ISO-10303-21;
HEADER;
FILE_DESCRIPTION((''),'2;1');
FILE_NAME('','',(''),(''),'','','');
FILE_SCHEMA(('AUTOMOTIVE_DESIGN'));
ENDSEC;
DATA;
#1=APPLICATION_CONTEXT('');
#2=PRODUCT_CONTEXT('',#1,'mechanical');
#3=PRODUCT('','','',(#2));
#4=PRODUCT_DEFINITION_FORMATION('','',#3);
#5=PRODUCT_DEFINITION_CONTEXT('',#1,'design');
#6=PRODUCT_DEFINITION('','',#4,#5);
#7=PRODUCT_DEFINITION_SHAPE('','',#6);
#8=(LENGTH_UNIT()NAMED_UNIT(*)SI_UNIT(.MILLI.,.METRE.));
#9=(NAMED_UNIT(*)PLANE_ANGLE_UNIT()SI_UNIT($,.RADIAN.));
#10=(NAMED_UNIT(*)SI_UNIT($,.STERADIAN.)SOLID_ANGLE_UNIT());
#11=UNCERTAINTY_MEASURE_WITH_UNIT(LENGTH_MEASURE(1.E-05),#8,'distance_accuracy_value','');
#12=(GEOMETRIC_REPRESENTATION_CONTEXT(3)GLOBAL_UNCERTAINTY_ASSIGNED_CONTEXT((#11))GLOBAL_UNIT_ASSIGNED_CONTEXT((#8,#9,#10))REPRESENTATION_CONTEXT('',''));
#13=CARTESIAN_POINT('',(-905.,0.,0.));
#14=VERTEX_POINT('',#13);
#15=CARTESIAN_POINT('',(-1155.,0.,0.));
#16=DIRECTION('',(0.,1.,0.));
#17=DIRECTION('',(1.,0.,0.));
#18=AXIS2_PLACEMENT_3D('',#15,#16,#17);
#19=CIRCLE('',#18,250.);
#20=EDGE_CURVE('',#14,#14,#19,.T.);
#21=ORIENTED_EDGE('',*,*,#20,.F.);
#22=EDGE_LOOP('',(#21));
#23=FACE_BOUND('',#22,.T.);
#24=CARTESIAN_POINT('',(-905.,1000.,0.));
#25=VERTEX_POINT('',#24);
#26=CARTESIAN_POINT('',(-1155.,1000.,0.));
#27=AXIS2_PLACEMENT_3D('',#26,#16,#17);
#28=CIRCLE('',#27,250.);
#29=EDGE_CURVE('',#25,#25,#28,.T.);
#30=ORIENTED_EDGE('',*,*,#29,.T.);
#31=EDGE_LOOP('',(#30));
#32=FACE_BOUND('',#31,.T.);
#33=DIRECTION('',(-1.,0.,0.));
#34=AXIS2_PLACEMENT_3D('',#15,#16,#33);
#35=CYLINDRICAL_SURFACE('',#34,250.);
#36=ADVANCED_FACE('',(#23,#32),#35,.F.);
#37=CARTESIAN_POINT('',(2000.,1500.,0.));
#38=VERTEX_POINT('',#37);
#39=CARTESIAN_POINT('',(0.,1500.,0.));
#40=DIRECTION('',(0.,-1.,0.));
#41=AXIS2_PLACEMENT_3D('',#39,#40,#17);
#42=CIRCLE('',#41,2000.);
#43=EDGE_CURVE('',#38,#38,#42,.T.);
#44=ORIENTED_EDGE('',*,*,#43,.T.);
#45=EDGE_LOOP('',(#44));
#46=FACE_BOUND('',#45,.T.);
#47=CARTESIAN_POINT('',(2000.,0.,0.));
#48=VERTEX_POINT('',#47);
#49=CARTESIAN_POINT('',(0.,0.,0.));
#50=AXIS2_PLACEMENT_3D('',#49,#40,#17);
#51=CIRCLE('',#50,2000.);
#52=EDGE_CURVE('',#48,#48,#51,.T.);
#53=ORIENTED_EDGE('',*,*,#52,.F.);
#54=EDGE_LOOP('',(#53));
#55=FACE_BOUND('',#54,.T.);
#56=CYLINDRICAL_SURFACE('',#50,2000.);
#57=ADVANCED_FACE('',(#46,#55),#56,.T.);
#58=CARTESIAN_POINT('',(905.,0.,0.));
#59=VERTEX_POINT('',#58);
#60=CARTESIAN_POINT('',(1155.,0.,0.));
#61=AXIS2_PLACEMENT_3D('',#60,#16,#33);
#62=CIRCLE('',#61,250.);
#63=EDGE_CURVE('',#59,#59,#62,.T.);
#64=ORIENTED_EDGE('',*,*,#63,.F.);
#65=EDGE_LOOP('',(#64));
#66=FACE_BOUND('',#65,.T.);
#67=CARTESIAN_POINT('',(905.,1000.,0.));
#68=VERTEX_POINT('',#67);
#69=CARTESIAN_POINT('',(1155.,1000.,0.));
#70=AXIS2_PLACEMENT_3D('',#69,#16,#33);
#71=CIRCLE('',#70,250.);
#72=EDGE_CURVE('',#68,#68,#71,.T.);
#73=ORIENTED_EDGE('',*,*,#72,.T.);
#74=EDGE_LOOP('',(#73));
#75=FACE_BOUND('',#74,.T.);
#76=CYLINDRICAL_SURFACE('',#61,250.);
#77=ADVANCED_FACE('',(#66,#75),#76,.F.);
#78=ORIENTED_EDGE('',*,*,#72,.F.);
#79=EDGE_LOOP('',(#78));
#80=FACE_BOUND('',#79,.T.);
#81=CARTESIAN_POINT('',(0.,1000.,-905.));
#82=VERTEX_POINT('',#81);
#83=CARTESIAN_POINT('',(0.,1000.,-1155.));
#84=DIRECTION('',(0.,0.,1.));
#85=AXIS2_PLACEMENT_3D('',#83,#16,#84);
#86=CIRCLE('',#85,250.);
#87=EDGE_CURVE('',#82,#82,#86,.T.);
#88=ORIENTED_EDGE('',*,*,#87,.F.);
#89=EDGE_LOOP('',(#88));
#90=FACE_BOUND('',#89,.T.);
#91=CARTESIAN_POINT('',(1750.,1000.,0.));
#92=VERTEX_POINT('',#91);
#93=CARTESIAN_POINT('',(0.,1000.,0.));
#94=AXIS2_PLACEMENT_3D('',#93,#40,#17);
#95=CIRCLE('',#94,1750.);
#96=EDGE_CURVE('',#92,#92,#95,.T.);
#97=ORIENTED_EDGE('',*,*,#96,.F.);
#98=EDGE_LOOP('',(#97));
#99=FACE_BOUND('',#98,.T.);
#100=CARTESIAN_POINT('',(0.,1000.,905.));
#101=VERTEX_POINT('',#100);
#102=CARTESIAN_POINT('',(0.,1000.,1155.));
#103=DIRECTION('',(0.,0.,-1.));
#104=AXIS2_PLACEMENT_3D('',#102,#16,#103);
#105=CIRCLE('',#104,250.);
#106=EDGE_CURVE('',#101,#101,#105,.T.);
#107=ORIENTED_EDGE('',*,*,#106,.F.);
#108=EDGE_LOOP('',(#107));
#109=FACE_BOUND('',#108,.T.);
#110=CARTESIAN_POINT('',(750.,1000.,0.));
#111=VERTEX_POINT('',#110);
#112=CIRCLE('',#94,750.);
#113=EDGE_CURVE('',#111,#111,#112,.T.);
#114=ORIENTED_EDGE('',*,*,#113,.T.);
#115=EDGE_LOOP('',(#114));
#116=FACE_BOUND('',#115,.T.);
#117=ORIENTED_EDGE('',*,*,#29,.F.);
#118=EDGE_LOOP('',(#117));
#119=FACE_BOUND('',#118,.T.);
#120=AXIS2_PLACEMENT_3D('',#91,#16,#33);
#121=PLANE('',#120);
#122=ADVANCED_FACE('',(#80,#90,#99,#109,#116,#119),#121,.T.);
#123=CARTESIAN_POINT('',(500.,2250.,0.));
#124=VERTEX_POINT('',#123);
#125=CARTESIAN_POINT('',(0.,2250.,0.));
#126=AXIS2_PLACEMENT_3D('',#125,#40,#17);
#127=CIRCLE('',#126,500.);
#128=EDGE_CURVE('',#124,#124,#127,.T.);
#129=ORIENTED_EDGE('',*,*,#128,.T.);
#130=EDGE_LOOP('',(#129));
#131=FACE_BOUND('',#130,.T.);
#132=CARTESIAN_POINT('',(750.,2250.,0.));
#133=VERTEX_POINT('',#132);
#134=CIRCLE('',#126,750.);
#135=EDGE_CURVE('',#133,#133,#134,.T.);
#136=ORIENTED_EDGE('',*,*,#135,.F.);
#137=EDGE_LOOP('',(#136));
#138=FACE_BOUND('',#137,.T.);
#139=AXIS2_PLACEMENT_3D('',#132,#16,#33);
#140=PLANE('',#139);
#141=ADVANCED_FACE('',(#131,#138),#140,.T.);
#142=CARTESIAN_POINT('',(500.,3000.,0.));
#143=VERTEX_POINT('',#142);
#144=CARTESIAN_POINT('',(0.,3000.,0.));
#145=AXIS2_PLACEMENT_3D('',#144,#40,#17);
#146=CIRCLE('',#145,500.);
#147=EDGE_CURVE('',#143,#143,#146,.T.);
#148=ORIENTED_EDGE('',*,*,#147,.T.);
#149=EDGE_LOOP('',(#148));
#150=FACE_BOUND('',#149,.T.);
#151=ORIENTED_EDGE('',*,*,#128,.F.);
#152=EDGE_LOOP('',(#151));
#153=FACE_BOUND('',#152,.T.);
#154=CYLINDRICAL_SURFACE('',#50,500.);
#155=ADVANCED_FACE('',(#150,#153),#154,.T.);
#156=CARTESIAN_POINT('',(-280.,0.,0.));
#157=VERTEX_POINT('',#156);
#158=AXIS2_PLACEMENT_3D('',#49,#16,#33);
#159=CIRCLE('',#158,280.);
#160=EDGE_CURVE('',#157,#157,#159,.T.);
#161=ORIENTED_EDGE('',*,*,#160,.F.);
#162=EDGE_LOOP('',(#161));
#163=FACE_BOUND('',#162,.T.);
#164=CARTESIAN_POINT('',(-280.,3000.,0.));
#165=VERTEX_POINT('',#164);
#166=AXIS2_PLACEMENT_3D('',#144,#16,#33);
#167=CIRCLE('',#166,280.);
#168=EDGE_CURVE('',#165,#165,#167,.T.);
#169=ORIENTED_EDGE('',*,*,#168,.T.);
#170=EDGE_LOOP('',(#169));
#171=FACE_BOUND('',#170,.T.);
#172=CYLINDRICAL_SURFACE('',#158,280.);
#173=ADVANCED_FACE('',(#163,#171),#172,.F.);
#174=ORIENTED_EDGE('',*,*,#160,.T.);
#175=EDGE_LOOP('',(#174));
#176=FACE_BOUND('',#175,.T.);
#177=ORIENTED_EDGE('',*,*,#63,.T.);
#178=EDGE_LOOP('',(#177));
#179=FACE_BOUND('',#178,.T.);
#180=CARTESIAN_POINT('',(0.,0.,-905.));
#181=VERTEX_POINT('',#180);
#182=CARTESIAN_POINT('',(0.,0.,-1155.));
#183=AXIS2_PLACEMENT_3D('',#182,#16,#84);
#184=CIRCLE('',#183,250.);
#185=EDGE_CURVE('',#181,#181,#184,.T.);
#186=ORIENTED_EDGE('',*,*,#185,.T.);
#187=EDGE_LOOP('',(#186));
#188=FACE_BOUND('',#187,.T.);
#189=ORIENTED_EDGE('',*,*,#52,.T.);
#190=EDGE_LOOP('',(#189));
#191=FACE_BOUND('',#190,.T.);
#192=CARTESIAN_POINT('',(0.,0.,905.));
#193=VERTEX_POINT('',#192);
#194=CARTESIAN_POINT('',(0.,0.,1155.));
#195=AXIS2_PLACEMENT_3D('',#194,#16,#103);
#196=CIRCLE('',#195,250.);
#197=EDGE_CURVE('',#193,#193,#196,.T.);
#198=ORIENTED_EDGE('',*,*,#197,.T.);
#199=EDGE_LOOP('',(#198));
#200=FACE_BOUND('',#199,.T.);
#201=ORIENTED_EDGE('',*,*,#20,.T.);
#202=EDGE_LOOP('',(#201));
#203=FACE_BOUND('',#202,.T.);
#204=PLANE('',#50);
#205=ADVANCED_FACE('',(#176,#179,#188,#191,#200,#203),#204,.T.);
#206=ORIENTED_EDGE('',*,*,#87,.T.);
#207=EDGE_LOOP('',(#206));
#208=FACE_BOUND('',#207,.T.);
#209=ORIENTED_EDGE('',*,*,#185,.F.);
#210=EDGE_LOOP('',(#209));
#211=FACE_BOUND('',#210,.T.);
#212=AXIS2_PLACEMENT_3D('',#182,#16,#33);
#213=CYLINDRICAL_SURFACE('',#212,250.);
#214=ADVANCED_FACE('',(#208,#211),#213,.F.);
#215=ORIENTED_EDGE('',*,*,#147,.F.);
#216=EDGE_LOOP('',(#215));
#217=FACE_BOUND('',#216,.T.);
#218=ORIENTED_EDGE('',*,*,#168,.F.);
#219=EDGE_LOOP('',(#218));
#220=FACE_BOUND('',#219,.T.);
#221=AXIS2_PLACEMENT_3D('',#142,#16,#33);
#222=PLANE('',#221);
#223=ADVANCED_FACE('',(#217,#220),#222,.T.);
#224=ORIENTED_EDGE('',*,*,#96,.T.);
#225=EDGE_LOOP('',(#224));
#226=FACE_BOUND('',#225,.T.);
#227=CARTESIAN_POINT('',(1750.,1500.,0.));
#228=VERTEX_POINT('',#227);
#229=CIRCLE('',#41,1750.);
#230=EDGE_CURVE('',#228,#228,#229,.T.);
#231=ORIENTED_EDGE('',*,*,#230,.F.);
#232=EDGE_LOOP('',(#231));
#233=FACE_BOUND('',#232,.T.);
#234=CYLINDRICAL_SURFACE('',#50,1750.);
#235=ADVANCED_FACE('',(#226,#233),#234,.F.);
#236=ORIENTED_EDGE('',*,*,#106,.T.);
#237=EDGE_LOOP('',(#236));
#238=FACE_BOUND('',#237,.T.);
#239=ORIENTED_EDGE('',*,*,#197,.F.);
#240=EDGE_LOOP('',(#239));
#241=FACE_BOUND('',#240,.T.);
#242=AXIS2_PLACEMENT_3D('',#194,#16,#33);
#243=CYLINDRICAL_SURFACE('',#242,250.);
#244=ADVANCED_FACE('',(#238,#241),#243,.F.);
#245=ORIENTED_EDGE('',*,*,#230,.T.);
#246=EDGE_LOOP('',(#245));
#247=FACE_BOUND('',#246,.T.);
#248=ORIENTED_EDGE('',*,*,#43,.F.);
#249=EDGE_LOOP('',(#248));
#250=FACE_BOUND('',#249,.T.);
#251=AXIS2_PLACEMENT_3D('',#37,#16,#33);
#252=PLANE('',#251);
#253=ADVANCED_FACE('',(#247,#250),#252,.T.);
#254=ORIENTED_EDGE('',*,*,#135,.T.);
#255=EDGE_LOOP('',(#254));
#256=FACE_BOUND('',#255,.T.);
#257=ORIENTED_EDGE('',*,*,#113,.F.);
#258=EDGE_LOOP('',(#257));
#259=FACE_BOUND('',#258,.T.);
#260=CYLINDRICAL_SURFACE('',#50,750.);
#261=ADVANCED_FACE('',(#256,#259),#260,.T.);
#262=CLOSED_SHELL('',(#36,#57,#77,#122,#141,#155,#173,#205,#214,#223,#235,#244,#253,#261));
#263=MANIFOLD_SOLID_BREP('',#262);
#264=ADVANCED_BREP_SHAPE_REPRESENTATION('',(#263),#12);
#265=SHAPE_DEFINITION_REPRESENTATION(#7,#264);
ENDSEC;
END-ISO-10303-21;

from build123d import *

# Parameters (mm, degrees)
SKETCH2_R          = 280
CUT_EXTRUDE1_DEPTH = 4124.105625618
SKETCH3_R          = 250
CUT_EXTRUDE2_DEPTH = 3465.101615138
CIRPATTERN1_COUNT  = 4


with BuildPart() as part:
    # Sketch1 → Revolve1 (revolve)
    with BuildSketch(Plane.XY):
        Polygon((0, 0), (2000, 0), (2000, 1500), (1750, 1500), (1750, 1000), (750, 1000), (750, 2250), (500, 2250), (500, 3000), (0, 3000), align=None)
    revolve(axis=Axis((0, 0, 0), (0, 1, 0)))

    # Sketch2 → Cut-Extrude1 (cut, through all)
    with BuildSketch(Plane(origin=(0, 3000, 0), x_dir=(1, 0, 0), z_dir=(0, 1, 0))):
        with Locations(Location((0, 0, 0), (0, 0, 180))):
            Circle(SKETCH2_R)
    extrude(amount=-CUT_EXTRUDE1_DEPTH, mode=Mode.SUBTRACT)

    # Sketch3 → Cut-Extrude2 (cut, through all)
    with BuildSketch(Plane(origin=(0, 1000, 0), x_dir=(1, 0, 0), z_dir=(0, 1, 0))):
        with Locations(Location((1155, 0, 0), (0, 0, 180))):
            Circle(SKETCH3_R)
    cut_extrude2 = extrude(amount=-CUT_EXTRUDE2_DEPTH, mode=Mode.SUBTRACT)

    # CirPattern1: Cut-Extrude2 ×4 about axis
    cirpattern1_axis = Axis((0, 0, 0), (0, 1, 0))
    for i in range(1, CIRPATTERN1_COUNT):
        add(cut_extrude2.rotate(cirpattern1_axis, i * 360 / CIRPATTERN1_COUNT), mode=Mode.SUBTRACT)


solid = part.part
